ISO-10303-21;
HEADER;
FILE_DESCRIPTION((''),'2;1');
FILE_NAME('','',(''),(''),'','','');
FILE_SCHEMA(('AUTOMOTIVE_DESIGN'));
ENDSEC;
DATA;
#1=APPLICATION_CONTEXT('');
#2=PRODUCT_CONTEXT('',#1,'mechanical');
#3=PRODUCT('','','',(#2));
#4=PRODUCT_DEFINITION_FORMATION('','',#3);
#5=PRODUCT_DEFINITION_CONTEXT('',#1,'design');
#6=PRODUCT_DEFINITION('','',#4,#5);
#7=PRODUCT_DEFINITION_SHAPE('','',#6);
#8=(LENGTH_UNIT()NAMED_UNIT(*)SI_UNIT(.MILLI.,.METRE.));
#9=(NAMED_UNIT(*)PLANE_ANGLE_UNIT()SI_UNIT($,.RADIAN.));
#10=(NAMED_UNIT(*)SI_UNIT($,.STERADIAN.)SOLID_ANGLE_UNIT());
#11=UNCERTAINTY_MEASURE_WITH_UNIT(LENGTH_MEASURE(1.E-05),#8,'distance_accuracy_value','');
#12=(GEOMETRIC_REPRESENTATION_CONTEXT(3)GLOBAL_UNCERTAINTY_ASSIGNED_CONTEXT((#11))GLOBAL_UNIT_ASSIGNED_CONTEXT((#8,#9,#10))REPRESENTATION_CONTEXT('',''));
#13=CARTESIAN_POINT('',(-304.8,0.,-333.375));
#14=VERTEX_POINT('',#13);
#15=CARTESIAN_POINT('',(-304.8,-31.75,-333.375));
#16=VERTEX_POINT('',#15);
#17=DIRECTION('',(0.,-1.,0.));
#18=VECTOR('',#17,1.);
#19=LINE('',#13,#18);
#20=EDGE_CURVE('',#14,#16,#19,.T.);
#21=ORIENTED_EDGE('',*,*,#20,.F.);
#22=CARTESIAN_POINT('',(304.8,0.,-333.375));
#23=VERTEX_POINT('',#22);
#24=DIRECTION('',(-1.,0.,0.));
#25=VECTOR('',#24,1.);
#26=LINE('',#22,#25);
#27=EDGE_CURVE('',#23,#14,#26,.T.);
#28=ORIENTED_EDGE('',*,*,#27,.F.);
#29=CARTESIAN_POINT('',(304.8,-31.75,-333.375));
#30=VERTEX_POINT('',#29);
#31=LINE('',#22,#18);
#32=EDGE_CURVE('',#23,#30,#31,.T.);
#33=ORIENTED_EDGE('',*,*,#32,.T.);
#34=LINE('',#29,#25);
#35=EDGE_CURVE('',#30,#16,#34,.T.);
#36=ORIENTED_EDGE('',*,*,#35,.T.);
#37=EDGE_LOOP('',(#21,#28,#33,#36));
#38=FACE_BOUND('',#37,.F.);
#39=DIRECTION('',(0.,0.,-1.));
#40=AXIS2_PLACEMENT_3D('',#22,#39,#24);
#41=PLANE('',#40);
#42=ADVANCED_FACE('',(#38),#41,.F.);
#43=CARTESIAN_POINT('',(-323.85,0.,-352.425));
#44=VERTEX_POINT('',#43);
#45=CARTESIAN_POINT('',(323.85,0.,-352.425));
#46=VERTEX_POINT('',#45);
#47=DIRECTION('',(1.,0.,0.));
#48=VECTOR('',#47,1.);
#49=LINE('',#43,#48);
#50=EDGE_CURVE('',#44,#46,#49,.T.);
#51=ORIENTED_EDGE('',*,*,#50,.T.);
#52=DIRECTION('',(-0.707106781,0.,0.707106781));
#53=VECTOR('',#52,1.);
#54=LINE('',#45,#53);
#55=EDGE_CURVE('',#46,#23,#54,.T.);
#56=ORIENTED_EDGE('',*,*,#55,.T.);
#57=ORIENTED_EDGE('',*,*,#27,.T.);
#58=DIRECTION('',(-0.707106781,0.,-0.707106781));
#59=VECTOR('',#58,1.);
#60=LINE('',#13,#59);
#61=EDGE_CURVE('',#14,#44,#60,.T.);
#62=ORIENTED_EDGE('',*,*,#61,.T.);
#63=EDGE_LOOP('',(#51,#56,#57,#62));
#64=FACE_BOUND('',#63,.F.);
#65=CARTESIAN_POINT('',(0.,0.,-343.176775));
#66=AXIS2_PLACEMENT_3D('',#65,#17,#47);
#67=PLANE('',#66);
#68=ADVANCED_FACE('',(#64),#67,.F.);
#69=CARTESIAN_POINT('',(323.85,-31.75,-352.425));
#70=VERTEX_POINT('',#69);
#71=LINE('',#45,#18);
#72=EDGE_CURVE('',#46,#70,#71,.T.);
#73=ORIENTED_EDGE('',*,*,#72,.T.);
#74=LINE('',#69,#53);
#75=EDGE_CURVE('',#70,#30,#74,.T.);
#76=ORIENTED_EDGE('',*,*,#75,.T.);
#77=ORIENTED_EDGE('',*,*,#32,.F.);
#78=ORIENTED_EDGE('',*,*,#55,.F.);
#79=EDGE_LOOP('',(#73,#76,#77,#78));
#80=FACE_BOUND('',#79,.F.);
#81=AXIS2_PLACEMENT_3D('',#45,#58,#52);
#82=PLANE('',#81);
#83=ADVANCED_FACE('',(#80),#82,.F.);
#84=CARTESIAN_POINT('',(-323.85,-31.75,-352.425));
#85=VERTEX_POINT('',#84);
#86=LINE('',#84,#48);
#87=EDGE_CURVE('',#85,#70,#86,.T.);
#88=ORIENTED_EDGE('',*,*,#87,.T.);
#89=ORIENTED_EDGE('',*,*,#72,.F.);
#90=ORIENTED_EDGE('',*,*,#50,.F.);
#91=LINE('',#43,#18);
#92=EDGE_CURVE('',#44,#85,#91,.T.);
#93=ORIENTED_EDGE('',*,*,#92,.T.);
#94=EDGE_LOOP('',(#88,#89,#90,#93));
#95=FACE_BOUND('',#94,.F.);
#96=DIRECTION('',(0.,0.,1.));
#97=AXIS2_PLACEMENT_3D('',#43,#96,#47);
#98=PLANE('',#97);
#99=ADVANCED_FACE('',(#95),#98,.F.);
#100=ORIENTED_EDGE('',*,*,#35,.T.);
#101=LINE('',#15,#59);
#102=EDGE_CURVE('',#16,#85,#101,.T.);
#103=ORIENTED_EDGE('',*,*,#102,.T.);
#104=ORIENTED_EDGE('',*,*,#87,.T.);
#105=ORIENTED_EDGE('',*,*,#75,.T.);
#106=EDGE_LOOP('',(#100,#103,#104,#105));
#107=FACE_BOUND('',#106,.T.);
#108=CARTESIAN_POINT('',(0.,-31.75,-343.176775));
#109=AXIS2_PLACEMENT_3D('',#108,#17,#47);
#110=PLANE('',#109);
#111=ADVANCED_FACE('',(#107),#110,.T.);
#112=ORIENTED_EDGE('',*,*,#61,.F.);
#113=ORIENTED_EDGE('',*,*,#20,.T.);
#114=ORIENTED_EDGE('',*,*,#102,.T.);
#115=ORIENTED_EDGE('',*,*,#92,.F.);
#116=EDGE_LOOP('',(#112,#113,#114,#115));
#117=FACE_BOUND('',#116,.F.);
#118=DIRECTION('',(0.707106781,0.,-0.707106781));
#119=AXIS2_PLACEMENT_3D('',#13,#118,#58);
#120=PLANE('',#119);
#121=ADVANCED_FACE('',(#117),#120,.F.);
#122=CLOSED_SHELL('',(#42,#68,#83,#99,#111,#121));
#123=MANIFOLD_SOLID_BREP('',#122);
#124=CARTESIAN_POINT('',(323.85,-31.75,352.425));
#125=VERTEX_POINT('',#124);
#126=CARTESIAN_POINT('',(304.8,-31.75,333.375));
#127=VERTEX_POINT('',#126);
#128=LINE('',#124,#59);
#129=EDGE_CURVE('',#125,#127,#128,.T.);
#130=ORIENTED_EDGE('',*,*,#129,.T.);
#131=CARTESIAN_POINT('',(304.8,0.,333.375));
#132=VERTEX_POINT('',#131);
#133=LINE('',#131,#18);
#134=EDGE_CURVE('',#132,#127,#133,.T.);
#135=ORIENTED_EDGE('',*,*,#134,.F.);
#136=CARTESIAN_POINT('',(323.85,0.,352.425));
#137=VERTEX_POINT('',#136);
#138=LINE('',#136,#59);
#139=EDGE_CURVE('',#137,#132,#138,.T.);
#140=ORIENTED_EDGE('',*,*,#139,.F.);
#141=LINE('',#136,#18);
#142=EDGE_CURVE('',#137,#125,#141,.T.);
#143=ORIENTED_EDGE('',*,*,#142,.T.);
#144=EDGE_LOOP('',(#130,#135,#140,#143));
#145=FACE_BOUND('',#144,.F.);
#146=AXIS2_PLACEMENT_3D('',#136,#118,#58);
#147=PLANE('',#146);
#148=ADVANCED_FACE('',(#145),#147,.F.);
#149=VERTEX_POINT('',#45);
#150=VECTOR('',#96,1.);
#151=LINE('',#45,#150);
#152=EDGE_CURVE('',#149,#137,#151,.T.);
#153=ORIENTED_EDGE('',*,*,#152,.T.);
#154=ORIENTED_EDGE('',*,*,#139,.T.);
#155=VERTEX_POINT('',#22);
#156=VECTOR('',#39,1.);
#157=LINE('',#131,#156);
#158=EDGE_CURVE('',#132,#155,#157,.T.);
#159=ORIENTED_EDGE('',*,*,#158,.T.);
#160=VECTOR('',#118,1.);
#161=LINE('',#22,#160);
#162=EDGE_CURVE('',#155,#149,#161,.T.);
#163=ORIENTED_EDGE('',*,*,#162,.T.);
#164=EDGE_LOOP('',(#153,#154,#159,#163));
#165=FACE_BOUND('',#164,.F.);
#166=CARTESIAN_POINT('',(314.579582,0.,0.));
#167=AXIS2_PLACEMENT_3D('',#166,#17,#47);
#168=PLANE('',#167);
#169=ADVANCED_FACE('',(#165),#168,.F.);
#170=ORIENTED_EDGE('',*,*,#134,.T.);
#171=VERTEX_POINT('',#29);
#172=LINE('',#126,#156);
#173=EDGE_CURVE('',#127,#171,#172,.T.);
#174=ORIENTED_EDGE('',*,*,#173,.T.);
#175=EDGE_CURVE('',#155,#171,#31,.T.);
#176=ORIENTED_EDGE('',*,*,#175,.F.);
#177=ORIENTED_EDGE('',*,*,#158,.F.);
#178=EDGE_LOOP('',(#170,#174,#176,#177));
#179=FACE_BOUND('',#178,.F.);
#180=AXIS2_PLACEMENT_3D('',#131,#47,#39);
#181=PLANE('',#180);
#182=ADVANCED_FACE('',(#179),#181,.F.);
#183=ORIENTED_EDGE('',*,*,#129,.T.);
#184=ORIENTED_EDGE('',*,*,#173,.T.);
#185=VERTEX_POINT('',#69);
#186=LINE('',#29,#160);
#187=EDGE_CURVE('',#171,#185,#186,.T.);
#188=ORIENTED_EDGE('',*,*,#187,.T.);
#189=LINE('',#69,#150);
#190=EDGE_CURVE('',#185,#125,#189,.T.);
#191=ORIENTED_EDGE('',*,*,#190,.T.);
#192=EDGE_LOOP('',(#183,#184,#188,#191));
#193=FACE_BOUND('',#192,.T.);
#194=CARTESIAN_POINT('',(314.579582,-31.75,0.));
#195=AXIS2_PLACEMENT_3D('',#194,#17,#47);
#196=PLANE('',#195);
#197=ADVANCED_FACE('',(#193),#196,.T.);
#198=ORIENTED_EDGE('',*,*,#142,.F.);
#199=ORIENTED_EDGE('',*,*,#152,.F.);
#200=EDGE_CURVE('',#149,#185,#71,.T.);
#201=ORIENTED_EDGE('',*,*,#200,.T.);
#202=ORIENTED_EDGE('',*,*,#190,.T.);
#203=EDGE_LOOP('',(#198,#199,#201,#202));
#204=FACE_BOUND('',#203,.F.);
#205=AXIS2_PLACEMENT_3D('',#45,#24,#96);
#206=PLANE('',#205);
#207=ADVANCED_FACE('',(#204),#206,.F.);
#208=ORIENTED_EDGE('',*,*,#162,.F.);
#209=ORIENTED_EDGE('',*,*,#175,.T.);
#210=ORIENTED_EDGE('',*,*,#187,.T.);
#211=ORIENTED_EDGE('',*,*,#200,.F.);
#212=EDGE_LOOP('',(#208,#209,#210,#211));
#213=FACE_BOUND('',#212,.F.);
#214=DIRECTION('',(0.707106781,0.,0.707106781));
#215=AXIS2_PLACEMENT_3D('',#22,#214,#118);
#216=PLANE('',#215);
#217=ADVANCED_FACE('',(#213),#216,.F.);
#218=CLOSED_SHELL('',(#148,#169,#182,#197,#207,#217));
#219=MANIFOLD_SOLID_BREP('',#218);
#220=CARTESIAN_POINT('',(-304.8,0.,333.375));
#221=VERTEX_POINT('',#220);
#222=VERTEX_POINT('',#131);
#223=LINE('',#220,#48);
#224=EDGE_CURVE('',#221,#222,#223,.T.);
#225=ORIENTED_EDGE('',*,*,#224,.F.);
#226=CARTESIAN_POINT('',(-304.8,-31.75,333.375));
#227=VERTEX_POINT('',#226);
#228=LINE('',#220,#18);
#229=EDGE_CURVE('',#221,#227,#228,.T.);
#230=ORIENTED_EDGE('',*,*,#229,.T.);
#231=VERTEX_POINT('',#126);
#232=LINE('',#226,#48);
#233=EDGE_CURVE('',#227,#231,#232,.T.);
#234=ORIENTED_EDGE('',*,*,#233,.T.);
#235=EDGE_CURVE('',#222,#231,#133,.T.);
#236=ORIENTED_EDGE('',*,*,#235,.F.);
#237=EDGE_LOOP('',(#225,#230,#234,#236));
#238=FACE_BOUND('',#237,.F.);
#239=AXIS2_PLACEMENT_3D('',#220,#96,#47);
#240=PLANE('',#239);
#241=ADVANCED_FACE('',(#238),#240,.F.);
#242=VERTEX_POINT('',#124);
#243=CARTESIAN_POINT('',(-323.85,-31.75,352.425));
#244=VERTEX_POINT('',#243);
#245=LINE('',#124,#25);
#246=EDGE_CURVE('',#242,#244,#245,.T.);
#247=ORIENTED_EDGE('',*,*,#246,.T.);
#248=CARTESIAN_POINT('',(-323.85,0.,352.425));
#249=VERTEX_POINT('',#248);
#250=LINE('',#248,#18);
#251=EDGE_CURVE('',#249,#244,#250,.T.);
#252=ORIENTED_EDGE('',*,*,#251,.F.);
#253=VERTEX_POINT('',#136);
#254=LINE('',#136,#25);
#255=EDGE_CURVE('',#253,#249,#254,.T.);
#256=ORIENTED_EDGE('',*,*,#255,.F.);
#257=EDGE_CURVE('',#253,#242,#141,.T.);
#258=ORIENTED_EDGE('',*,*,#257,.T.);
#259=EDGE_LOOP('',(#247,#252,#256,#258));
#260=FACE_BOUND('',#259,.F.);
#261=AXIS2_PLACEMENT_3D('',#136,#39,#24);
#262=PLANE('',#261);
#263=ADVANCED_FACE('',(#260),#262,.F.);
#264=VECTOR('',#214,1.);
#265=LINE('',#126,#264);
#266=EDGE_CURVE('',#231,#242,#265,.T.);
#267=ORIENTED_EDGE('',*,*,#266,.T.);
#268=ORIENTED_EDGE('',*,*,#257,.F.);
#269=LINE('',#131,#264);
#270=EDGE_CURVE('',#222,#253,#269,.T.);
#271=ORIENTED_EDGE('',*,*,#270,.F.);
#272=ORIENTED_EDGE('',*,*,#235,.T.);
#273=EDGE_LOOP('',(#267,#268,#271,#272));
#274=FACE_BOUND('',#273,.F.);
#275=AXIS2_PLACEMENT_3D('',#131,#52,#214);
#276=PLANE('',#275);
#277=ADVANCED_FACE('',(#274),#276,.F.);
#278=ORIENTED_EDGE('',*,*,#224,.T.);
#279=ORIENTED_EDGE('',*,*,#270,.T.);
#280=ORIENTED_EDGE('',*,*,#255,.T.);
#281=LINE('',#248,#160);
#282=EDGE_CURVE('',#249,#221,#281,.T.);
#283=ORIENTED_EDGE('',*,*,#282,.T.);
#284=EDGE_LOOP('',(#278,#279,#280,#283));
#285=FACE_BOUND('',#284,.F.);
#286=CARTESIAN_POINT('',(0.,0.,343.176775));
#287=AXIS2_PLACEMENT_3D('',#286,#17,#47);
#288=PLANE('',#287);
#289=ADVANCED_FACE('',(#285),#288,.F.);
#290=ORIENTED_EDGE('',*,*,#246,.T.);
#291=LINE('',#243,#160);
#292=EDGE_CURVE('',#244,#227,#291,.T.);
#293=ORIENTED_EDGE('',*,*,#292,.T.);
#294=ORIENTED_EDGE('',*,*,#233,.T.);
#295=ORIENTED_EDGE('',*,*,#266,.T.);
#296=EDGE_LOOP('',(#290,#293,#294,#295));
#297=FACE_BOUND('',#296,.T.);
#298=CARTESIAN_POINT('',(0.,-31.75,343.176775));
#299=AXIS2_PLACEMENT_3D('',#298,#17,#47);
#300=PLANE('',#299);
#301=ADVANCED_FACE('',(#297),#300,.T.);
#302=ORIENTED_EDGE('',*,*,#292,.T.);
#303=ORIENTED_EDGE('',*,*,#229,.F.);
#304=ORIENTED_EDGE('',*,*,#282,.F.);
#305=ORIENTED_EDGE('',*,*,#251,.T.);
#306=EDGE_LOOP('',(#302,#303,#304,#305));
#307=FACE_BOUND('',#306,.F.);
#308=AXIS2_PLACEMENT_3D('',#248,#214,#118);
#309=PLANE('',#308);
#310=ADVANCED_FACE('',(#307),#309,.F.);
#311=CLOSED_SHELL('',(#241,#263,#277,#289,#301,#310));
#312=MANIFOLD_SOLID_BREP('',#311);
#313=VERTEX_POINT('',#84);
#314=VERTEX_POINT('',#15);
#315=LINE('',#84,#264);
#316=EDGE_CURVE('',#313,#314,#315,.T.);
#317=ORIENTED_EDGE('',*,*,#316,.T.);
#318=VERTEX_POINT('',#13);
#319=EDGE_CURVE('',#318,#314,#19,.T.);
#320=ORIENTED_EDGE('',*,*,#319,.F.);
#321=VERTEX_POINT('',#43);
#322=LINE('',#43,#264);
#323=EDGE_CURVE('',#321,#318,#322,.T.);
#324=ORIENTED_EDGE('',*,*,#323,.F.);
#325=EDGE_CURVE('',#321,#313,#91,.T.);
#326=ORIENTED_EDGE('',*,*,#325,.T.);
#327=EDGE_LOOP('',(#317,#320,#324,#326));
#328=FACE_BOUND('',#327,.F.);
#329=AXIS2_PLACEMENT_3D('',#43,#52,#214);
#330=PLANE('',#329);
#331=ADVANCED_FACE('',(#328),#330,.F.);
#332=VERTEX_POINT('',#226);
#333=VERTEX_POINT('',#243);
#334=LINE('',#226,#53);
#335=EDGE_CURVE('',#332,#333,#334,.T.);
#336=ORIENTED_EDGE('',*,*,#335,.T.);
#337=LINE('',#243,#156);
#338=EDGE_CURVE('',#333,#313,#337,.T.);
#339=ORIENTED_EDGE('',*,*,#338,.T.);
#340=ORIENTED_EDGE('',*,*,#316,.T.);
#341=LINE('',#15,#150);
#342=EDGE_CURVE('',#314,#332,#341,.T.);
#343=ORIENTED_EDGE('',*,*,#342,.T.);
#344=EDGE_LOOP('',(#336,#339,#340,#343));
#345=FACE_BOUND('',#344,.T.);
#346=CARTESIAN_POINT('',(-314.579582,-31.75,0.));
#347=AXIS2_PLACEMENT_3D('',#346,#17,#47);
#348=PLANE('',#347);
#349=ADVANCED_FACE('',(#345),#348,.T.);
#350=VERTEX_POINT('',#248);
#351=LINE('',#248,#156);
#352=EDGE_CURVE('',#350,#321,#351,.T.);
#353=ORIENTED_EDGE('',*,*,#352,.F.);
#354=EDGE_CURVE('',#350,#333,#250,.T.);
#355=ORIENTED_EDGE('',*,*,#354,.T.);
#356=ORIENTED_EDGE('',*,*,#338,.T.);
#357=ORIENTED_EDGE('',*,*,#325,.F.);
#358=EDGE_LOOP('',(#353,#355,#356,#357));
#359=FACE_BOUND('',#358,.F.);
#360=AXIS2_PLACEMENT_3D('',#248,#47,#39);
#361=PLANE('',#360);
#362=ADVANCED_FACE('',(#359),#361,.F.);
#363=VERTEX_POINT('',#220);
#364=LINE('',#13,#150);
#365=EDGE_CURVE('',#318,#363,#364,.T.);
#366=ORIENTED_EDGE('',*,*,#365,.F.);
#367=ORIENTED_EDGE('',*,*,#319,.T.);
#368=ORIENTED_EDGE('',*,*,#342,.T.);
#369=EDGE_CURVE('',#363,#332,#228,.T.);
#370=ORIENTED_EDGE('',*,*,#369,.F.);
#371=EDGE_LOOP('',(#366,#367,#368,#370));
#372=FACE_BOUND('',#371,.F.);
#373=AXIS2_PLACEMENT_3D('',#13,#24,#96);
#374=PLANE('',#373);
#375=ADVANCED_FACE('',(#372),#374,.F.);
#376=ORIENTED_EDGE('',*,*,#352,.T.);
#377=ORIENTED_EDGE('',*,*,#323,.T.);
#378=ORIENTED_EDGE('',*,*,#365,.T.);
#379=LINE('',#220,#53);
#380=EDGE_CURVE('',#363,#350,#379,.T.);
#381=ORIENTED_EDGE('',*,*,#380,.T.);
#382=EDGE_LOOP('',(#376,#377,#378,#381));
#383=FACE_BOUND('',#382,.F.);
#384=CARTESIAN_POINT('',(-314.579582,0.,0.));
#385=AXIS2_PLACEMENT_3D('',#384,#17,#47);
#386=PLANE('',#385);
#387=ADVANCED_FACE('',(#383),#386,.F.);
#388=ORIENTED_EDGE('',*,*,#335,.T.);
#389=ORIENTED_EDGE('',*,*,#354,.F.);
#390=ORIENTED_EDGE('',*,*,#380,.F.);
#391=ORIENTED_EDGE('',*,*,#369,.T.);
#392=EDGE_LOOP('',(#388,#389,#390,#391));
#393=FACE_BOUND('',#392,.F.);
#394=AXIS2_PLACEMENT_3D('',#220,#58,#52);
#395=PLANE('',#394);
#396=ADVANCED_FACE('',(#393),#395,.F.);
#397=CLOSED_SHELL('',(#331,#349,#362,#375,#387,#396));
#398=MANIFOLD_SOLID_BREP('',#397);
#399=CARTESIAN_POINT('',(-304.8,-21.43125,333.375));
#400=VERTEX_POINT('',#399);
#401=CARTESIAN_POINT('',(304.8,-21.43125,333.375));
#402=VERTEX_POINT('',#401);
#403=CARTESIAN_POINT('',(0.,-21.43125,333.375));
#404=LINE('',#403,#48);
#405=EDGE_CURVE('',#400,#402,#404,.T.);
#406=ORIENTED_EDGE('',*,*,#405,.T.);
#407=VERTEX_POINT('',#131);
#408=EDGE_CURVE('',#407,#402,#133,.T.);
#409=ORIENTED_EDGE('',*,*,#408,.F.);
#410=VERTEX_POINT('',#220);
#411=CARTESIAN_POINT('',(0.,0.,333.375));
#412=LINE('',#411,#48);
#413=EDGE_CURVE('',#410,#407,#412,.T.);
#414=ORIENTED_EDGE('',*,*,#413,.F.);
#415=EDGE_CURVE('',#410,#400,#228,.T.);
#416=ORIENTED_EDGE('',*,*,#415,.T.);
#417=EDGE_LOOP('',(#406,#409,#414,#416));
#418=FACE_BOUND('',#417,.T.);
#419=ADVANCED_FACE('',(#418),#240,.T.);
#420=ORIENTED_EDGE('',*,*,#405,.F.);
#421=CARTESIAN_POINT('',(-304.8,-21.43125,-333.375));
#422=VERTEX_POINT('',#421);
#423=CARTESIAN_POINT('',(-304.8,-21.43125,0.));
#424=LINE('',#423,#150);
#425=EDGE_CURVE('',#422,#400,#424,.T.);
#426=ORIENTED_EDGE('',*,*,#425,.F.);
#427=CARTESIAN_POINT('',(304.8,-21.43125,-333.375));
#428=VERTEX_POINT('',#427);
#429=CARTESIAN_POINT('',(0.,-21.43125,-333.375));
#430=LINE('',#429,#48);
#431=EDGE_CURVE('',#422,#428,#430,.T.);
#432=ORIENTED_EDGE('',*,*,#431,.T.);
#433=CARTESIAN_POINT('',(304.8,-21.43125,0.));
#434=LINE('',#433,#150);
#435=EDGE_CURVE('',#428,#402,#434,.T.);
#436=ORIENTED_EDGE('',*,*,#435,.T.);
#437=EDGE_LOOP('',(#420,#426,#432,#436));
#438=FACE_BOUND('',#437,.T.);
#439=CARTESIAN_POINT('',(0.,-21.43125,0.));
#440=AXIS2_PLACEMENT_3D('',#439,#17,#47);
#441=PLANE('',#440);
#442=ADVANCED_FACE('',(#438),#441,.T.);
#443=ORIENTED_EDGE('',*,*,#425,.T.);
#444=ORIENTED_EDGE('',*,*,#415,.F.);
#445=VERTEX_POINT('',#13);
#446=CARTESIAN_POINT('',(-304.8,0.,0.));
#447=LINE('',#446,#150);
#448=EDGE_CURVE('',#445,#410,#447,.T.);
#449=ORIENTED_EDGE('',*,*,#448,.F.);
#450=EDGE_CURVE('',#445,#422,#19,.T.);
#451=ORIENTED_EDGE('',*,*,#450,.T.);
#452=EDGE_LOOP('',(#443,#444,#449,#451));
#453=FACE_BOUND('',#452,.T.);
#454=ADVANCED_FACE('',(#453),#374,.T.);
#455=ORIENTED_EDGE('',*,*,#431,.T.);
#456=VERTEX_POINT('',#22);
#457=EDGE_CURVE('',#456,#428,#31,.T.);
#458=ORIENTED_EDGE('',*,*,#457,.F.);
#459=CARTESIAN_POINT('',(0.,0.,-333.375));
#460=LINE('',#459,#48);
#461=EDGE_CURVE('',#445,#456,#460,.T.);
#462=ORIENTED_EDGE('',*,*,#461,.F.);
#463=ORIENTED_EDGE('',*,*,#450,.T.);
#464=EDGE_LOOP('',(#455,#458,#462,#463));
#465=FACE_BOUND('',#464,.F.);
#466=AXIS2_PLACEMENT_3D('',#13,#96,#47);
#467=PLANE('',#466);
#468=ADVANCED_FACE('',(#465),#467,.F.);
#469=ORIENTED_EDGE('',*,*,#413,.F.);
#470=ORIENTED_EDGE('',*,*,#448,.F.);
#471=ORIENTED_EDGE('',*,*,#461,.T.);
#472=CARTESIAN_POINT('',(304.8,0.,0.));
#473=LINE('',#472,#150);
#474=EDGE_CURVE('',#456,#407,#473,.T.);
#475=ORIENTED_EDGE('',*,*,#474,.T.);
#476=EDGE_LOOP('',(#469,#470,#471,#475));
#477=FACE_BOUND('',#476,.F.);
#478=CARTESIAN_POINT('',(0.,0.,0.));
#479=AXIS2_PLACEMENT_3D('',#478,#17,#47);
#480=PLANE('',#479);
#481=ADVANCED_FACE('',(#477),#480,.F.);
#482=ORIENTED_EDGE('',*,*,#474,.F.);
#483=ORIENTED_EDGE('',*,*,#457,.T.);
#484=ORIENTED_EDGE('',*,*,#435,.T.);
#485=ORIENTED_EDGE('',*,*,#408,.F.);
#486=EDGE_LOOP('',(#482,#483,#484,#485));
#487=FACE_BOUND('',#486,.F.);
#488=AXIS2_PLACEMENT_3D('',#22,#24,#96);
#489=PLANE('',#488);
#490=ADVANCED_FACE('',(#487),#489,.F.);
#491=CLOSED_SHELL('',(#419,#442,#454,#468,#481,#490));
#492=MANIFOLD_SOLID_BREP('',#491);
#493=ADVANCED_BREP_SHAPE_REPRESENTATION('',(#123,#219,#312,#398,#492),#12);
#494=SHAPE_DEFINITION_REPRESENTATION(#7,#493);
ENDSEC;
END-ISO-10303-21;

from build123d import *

# Parameters (mm, degrees)
F0_W     = 609.6
F0_H     = 666.75
F1_DEPTH = 21.43125
F2_DEPTH = 31.75
F3_DEPTH = 31.75
F4_DEPTH = 31.75
F5_DEPTH = 31.75


with BuildPart() as f1:
    # F0 (on Front) → F1 (new body)
    with BuildSketch(Plane.XZ):
        Rectangle(F0_W, F0_H)
    extrude(amount=F1_DEPTH)


with BuildPart() as f2:
    # F0 (on Front) → F2 (new body)
    with BuildSketch(Plane.XZ):
        Polygon((-323.85, 352.425), (-304.8, 333.375), (304.8, 333.375), (323.85, 352.425), align=None)
    extrude(amount=F2_DEPTH)


with BuildPart() as f3:
    # F0 (on Front) → F3 (new body)
    with BuildSketch(Plane.XZ):
        Polygon((-304.8, -333.375), (-304.8, 333.375), (-323.85, 352.425), (-323.85, -352.425), align=None)
    extrude(amount=F3_DEPTH)


with BuildPart() as f4:
    # F0 (on Front) → F4 (new body)
    with BuildSketch(Plane.XZ):
        Polygon((304.8, -333.375), (-304.8, -333.375), (-323.85, -352.425), (323.85, -352.425), align=None)
    extrude(amount=F4_DEPTH)


with BuildPart() as f5:
    # F0 (on Front) → F5 (new body)
    with BuildSketch(Plane.XZ):
        Polygon((323.85, 352.425), (304.8, 333.375), (304.8, -333.375), (323.85, -352.425), align=None)
    extrude(amount=F5_DEPTH)


solid = Compound([f1.part, f2.part, f3.part, f4.part, f5.part])
